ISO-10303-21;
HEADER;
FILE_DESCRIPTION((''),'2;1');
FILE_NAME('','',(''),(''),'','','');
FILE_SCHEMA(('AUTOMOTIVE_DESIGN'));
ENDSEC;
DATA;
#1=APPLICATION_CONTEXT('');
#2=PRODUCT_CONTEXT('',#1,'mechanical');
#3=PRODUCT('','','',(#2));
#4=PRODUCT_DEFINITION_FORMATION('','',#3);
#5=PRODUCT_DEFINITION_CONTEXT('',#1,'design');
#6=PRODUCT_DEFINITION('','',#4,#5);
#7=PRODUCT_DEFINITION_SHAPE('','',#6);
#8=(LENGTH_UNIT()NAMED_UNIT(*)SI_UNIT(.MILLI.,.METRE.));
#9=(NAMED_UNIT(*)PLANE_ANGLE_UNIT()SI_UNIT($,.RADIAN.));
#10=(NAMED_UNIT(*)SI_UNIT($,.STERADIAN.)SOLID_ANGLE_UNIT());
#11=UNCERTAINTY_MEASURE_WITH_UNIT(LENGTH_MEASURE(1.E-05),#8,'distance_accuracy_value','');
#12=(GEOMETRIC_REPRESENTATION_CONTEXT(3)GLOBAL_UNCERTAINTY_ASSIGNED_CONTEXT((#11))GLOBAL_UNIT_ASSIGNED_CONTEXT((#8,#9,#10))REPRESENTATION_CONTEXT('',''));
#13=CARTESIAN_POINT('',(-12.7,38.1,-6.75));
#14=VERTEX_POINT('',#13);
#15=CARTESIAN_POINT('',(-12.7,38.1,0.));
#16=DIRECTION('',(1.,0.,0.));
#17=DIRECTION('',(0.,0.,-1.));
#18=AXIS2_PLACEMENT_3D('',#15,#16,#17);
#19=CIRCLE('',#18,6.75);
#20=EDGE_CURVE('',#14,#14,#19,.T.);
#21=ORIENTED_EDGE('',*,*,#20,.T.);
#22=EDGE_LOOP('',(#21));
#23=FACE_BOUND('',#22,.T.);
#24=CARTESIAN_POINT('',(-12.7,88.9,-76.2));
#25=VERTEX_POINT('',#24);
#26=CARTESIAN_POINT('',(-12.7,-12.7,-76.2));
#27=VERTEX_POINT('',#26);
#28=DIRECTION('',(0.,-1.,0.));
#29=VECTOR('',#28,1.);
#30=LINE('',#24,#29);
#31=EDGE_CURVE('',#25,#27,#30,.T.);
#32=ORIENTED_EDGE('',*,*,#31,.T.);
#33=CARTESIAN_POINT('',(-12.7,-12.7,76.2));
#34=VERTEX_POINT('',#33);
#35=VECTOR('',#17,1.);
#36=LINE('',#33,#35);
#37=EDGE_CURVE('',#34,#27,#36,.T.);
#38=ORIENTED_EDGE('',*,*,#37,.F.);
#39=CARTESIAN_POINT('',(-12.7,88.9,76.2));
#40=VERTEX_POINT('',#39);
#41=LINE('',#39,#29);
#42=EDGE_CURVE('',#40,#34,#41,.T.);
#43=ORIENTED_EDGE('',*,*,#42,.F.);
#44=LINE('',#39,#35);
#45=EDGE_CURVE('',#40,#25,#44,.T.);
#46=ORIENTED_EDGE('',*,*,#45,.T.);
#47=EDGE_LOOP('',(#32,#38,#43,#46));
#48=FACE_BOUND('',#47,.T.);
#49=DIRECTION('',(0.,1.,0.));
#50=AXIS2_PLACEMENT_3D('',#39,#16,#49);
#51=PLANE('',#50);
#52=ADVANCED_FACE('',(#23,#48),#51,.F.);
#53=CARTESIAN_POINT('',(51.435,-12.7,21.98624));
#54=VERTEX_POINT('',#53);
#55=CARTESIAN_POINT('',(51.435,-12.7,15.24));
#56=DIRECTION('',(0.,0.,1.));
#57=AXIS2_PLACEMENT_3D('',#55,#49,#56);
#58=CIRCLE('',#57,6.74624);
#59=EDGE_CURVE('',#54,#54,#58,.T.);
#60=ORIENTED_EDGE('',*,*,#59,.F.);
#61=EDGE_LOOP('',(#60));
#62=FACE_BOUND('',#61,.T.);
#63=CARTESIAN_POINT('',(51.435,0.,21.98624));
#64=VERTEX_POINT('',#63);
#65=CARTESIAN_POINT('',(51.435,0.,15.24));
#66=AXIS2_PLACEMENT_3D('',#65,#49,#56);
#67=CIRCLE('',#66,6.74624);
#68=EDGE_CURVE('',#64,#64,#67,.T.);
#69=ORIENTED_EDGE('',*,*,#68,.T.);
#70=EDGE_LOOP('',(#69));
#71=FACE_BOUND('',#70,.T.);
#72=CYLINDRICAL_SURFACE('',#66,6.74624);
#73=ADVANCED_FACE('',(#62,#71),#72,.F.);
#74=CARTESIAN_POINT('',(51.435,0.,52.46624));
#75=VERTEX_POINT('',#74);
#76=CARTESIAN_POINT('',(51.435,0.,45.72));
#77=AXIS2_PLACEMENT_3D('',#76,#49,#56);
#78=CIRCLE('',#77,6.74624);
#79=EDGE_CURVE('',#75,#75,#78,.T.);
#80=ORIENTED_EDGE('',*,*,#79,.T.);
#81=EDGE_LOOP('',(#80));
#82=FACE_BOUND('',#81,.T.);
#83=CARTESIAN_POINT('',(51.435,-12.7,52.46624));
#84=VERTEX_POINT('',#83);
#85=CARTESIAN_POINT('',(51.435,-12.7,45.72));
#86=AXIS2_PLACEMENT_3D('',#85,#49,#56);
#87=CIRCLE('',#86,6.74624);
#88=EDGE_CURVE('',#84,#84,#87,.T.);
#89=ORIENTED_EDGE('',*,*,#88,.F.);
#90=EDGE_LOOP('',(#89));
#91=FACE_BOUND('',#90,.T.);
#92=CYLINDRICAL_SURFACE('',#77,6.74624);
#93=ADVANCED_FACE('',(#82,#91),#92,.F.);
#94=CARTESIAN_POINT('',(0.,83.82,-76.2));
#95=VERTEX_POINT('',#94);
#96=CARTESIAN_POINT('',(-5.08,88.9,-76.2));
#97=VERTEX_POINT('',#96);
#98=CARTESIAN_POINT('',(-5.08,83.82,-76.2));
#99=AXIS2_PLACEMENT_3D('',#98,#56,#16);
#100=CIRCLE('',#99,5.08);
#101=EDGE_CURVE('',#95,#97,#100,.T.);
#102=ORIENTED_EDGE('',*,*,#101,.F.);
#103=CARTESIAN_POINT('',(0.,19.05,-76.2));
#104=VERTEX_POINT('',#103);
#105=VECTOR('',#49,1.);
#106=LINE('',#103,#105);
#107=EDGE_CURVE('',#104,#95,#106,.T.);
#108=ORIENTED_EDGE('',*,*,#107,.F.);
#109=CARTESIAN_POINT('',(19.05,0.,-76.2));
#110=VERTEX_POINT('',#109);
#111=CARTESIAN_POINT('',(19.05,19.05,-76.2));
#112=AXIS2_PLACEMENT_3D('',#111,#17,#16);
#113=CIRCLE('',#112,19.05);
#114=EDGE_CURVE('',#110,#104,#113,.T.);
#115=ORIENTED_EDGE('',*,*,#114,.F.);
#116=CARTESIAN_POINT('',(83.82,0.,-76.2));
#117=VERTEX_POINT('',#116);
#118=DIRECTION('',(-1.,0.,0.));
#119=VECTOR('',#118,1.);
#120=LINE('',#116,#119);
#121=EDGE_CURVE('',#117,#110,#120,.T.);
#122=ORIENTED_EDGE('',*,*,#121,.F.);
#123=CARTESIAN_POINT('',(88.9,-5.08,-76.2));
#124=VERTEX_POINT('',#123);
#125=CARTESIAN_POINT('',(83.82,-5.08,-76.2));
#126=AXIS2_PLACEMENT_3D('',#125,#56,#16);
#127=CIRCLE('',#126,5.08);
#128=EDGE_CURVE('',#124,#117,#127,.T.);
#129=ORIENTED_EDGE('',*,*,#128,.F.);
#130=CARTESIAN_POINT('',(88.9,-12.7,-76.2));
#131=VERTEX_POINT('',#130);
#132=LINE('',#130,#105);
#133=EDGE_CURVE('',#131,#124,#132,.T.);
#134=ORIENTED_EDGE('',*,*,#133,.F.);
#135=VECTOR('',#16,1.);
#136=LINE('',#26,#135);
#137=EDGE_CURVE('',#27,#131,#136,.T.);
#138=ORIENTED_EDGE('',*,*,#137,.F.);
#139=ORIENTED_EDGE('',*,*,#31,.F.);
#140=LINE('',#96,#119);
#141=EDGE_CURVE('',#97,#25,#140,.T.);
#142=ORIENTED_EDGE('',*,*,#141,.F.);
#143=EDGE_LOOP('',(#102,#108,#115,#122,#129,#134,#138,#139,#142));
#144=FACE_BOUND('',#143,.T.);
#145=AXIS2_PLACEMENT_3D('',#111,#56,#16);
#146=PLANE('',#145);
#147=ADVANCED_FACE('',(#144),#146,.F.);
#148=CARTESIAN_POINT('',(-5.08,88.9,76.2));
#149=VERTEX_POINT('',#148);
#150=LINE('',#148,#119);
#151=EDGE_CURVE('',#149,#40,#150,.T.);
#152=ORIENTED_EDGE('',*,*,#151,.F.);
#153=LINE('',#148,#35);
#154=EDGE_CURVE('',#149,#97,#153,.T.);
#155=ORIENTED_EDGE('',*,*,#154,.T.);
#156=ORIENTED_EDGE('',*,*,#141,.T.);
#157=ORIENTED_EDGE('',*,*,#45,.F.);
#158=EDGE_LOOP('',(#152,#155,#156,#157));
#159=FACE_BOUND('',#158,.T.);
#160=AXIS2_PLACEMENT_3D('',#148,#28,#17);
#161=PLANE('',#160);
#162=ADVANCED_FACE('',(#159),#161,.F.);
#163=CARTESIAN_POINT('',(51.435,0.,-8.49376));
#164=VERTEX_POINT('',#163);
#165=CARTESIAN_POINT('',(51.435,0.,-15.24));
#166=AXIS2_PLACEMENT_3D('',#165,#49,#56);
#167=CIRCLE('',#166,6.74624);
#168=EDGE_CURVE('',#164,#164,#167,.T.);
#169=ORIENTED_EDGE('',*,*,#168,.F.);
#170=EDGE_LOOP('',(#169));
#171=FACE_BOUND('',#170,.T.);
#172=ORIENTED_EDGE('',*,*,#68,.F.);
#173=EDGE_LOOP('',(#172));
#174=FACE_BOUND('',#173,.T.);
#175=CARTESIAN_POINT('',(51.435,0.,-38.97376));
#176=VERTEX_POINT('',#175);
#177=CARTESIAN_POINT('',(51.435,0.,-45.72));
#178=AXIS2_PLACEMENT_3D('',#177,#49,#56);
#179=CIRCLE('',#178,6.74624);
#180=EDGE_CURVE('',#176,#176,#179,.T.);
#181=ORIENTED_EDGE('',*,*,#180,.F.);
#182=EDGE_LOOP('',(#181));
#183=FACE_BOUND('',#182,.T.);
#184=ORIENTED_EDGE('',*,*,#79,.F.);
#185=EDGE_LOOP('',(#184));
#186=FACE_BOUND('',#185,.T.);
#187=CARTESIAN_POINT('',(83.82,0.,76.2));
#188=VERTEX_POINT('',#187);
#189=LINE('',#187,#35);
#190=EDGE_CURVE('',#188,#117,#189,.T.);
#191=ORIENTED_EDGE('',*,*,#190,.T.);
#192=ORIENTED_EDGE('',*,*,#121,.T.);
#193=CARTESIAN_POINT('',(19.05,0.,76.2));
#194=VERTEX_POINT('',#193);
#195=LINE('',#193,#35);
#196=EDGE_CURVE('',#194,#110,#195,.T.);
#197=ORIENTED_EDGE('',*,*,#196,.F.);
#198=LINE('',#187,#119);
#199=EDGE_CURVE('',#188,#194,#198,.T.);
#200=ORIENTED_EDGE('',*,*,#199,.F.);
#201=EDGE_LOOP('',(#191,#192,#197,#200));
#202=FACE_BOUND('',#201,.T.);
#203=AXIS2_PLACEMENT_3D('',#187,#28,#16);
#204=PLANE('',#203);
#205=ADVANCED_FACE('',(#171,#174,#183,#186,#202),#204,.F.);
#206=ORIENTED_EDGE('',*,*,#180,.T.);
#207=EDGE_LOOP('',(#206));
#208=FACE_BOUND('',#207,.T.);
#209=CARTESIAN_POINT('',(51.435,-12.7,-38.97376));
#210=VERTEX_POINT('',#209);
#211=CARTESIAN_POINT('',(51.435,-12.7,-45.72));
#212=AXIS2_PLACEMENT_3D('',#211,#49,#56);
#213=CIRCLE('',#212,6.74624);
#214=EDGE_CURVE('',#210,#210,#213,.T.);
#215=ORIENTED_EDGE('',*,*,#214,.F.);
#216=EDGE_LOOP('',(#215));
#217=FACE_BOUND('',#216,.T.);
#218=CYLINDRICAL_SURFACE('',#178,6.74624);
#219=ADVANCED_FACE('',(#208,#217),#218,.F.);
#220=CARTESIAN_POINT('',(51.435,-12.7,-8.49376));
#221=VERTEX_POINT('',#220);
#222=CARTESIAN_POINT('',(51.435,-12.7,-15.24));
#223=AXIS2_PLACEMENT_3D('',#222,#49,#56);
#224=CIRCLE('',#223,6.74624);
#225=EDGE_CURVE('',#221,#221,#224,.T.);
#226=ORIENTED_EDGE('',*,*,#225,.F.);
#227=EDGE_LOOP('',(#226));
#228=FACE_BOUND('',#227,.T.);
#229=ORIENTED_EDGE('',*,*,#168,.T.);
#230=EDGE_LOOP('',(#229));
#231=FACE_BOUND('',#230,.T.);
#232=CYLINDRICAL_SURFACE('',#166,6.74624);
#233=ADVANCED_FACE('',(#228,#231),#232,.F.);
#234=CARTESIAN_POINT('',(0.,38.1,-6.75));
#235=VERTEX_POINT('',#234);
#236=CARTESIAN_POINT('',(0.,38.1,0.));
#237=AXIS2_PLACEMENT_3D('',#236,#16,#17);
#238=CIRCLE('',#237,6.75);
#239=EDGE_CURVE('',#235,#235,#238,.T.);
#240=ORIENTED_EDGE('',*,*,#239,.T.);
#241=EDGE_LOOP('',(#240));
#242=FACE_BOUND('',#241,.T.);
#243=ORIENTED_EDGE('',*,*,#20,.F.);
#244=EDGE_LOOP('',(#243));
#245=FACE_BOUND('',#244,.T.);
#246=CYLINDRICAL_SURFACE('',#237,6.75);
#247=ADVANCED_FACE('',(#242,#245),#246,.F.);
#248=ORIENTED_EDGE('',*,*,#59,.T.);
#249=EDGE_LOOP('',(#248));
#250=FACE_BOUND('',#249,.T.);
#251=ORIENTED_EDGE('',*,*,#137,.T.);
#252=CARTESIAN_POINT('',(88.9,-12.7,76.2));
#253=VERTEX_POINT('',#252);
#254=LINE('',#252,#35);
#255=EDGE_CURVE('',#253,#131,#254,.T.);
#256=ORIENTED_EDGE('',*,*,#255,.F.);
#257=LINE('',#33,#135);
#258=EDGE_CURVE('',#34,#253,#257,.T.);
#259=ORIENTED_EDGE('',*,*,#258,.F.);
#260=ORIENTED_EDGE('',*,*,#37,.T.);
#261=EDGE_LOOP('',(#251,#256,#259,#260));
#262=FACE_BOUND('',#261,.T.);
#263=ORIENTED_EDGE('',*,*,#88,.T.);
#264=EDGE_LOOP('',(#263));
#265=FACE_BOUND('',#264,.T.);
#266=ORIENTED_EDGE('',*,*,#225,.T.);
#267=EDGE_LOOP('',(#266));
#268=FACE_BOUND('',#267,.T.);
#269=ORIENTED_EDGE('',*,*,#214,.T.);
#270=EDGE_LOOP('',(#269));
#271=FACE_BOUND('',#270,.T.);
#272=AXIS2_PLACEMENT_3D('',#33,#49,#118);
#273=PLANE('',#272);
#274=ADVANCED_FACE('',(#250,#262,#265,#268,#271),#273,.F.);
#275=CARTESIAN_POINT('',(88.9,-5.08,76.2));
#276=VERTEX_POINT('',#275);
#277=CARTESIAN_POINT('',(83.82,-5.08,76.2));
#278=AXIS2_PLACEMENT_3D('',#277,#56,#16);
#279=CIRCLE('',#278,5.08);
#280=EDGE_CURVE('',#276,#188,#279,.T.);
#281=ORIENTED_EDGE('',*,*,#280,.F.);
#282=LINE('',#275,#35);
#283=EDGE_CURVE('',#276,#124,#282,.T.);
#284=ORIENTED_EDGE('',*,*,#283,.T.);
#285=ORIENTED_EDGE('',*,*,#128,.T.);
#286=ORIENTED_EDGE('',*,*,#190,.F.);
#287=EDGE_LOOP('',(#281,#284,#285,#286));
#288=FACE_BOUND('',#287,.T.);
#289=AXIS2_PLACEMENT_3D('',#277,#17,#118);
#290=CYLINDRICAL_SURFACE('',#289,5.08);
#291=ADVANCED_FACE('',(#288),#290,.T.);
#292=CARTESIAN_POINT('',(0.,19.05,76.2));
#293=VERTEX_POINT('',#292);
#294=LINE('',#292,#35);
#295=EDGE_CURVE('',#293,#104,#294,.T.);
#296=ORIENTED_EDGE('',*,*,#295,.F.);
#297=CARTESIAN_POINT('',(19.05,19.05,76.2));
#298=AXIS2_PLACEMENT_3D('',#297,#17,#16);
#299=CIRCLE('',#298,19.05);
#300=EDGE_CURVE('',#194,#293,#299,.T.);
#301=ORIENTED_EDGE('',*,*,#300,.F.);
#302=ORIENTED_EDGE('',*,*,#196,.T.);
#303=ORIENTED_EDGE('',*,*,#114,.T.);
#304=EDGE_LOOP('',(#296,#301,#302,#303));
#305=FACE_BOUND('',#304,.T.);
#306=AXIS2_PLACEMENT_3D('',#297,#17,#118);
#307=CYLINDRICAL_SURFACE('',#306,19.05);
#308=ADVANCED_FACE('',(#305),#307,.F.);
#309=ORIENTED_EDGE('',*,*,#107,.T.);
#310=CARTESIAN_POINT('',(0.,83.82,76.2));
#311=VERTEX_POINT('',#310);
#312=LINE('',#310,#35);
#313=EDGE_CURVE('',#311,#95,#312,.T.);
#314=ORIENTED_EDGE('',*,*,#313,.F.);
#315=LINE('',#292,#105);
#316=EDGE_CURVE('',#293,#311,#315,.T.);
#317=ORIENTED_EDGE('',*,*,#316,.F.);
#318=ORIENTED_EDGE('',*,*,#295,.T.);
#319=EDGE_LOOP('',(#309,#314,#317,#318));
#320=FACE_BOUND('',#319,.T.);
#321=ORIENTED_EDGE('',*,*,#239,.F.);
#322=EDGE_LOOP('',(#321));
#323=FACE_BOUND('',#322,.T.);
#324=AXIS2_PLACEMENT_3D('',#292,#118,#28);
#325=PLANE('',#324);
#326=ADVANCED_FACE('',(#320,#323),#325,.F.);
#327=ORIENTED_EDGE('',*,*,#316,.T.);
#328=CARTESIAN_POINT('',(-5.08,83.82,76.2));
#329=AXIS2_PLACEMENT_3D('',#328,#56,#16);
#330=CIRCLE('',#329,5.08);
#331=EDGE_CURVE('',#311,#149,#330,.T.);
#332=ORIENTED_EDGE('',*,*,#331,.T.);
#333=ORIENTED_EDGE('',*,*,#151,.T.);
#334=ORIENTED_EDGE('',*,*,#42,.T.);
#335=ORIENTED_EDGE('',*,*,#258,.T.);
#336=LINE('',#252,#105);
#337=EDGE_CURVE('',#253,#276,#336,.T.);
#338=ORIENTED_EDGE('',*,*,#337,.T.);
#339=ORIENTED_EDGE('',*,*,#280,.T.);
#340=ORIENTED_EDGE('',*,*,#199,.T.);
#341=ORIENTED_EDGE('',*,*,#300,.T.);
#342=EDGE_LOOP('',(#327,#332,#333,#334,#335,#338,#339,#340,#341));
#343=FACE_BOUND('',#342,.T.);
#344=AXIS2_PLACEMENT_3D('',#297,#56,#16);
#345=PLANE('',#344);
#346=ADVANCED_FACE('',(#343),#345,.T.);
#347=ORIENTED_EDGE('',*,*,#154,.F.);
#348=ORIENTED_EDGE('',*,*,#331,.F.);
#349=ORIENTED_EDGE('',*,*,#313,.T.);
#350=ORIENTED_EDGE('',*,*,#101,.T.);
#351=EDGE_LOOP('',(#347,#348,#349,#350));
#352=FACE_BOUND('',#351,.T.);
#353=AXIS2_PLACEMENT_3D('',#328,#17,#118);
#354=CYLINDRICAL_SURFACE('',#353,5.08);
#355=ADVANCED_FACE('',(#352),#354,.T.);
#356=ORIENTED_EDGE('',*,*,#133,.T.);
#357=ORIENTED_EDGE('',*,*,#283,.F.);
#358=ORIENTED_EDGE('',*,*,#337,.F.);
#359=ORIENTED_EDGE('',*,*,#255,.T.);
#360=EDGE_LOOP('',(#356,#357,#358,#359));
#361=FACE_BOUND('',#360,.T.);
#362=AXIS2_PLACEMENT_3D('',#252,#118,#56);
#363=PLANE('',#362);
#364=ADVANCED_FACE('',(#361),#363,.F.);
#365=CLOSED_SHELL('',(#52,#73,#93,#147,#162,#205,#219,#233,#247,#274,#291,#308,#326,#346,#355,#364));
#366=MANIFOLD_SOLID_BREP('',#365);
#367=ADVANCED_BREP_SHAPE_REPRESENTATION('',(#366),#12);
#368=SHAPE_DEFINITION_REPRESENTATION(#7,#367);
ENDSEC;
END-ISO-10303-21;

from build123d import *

# Parameters (mm, degrees)
BOSS_EXTRUDE1_DEPTH      = 76.2
BOSS_EXTRUDE1_DEPTH_BACK = 76.2
M12_CLEARANCE_HOLE1_D    = 13.5
F_1_2_CLEARANCE_HOLE1_D  = 13.49248


with BuildPart() as part:
    # Sketch3 → Boss-Extrude1 (new, two sides: drawn at the far end of the back side and taken through both)
    with BuildSketch(Plane.XY.offset(-BOSS_EXTRUDE1_DEPTH_BACK)):
        with BuildLine():
            Line((0, 19.05), (0, 83.82))
            ThreePointArc((0, 83.82), (-1.487897552, 87.412102448), (-5.08, 88.9))
            Line((-5.08, 88.9), (-12.7, 88.9))
            Line((-12.7, 88.9), (-12.7, -12.7))
            Line((-12.7, -12.7), (88.9, -12.7))
            Line((88.9, -12.7), (88.9, -5.08))
            ThreePointArc((88.9, -5.08), (87.412102448, -1.487897552), (83.82, 0))
            Line((83.82, 0), (19.05, 0))
            ThreePointArc((19.05, 0), (5.579615818, 5.579615818), (0, 19.05))
        make_face()
    extrude(amount=BOSS_EXTRUDE1_DEPTH + BOSS_EXTRUDE1_DEPTH_BACK)

    # M12 Clearance Hole1 (through all)
    with Locations(Plane(origin=(0, 0, 0), x_dir=(0, 0, -1), z_dir=(1, 0, 0))):
        with Locations((0, 38.1)):
            Hole(M12_CLEARANCE_HOLE1_D / 2)

    # 1/2 Clearance Hole1 (through all)
    with Locations(Plane(origin=(0, 0, 0), x_dir=(1, 0, 0), z_dir=(0, 1, 0))):
        with Locations((51.435, -45.72), (51.435, 45.72), (51.435, 15.24), (51.435, -15.24)):
            Hole(F_1_2_CLEARANCE_HOLE1_D / 2)


solid = part.part
